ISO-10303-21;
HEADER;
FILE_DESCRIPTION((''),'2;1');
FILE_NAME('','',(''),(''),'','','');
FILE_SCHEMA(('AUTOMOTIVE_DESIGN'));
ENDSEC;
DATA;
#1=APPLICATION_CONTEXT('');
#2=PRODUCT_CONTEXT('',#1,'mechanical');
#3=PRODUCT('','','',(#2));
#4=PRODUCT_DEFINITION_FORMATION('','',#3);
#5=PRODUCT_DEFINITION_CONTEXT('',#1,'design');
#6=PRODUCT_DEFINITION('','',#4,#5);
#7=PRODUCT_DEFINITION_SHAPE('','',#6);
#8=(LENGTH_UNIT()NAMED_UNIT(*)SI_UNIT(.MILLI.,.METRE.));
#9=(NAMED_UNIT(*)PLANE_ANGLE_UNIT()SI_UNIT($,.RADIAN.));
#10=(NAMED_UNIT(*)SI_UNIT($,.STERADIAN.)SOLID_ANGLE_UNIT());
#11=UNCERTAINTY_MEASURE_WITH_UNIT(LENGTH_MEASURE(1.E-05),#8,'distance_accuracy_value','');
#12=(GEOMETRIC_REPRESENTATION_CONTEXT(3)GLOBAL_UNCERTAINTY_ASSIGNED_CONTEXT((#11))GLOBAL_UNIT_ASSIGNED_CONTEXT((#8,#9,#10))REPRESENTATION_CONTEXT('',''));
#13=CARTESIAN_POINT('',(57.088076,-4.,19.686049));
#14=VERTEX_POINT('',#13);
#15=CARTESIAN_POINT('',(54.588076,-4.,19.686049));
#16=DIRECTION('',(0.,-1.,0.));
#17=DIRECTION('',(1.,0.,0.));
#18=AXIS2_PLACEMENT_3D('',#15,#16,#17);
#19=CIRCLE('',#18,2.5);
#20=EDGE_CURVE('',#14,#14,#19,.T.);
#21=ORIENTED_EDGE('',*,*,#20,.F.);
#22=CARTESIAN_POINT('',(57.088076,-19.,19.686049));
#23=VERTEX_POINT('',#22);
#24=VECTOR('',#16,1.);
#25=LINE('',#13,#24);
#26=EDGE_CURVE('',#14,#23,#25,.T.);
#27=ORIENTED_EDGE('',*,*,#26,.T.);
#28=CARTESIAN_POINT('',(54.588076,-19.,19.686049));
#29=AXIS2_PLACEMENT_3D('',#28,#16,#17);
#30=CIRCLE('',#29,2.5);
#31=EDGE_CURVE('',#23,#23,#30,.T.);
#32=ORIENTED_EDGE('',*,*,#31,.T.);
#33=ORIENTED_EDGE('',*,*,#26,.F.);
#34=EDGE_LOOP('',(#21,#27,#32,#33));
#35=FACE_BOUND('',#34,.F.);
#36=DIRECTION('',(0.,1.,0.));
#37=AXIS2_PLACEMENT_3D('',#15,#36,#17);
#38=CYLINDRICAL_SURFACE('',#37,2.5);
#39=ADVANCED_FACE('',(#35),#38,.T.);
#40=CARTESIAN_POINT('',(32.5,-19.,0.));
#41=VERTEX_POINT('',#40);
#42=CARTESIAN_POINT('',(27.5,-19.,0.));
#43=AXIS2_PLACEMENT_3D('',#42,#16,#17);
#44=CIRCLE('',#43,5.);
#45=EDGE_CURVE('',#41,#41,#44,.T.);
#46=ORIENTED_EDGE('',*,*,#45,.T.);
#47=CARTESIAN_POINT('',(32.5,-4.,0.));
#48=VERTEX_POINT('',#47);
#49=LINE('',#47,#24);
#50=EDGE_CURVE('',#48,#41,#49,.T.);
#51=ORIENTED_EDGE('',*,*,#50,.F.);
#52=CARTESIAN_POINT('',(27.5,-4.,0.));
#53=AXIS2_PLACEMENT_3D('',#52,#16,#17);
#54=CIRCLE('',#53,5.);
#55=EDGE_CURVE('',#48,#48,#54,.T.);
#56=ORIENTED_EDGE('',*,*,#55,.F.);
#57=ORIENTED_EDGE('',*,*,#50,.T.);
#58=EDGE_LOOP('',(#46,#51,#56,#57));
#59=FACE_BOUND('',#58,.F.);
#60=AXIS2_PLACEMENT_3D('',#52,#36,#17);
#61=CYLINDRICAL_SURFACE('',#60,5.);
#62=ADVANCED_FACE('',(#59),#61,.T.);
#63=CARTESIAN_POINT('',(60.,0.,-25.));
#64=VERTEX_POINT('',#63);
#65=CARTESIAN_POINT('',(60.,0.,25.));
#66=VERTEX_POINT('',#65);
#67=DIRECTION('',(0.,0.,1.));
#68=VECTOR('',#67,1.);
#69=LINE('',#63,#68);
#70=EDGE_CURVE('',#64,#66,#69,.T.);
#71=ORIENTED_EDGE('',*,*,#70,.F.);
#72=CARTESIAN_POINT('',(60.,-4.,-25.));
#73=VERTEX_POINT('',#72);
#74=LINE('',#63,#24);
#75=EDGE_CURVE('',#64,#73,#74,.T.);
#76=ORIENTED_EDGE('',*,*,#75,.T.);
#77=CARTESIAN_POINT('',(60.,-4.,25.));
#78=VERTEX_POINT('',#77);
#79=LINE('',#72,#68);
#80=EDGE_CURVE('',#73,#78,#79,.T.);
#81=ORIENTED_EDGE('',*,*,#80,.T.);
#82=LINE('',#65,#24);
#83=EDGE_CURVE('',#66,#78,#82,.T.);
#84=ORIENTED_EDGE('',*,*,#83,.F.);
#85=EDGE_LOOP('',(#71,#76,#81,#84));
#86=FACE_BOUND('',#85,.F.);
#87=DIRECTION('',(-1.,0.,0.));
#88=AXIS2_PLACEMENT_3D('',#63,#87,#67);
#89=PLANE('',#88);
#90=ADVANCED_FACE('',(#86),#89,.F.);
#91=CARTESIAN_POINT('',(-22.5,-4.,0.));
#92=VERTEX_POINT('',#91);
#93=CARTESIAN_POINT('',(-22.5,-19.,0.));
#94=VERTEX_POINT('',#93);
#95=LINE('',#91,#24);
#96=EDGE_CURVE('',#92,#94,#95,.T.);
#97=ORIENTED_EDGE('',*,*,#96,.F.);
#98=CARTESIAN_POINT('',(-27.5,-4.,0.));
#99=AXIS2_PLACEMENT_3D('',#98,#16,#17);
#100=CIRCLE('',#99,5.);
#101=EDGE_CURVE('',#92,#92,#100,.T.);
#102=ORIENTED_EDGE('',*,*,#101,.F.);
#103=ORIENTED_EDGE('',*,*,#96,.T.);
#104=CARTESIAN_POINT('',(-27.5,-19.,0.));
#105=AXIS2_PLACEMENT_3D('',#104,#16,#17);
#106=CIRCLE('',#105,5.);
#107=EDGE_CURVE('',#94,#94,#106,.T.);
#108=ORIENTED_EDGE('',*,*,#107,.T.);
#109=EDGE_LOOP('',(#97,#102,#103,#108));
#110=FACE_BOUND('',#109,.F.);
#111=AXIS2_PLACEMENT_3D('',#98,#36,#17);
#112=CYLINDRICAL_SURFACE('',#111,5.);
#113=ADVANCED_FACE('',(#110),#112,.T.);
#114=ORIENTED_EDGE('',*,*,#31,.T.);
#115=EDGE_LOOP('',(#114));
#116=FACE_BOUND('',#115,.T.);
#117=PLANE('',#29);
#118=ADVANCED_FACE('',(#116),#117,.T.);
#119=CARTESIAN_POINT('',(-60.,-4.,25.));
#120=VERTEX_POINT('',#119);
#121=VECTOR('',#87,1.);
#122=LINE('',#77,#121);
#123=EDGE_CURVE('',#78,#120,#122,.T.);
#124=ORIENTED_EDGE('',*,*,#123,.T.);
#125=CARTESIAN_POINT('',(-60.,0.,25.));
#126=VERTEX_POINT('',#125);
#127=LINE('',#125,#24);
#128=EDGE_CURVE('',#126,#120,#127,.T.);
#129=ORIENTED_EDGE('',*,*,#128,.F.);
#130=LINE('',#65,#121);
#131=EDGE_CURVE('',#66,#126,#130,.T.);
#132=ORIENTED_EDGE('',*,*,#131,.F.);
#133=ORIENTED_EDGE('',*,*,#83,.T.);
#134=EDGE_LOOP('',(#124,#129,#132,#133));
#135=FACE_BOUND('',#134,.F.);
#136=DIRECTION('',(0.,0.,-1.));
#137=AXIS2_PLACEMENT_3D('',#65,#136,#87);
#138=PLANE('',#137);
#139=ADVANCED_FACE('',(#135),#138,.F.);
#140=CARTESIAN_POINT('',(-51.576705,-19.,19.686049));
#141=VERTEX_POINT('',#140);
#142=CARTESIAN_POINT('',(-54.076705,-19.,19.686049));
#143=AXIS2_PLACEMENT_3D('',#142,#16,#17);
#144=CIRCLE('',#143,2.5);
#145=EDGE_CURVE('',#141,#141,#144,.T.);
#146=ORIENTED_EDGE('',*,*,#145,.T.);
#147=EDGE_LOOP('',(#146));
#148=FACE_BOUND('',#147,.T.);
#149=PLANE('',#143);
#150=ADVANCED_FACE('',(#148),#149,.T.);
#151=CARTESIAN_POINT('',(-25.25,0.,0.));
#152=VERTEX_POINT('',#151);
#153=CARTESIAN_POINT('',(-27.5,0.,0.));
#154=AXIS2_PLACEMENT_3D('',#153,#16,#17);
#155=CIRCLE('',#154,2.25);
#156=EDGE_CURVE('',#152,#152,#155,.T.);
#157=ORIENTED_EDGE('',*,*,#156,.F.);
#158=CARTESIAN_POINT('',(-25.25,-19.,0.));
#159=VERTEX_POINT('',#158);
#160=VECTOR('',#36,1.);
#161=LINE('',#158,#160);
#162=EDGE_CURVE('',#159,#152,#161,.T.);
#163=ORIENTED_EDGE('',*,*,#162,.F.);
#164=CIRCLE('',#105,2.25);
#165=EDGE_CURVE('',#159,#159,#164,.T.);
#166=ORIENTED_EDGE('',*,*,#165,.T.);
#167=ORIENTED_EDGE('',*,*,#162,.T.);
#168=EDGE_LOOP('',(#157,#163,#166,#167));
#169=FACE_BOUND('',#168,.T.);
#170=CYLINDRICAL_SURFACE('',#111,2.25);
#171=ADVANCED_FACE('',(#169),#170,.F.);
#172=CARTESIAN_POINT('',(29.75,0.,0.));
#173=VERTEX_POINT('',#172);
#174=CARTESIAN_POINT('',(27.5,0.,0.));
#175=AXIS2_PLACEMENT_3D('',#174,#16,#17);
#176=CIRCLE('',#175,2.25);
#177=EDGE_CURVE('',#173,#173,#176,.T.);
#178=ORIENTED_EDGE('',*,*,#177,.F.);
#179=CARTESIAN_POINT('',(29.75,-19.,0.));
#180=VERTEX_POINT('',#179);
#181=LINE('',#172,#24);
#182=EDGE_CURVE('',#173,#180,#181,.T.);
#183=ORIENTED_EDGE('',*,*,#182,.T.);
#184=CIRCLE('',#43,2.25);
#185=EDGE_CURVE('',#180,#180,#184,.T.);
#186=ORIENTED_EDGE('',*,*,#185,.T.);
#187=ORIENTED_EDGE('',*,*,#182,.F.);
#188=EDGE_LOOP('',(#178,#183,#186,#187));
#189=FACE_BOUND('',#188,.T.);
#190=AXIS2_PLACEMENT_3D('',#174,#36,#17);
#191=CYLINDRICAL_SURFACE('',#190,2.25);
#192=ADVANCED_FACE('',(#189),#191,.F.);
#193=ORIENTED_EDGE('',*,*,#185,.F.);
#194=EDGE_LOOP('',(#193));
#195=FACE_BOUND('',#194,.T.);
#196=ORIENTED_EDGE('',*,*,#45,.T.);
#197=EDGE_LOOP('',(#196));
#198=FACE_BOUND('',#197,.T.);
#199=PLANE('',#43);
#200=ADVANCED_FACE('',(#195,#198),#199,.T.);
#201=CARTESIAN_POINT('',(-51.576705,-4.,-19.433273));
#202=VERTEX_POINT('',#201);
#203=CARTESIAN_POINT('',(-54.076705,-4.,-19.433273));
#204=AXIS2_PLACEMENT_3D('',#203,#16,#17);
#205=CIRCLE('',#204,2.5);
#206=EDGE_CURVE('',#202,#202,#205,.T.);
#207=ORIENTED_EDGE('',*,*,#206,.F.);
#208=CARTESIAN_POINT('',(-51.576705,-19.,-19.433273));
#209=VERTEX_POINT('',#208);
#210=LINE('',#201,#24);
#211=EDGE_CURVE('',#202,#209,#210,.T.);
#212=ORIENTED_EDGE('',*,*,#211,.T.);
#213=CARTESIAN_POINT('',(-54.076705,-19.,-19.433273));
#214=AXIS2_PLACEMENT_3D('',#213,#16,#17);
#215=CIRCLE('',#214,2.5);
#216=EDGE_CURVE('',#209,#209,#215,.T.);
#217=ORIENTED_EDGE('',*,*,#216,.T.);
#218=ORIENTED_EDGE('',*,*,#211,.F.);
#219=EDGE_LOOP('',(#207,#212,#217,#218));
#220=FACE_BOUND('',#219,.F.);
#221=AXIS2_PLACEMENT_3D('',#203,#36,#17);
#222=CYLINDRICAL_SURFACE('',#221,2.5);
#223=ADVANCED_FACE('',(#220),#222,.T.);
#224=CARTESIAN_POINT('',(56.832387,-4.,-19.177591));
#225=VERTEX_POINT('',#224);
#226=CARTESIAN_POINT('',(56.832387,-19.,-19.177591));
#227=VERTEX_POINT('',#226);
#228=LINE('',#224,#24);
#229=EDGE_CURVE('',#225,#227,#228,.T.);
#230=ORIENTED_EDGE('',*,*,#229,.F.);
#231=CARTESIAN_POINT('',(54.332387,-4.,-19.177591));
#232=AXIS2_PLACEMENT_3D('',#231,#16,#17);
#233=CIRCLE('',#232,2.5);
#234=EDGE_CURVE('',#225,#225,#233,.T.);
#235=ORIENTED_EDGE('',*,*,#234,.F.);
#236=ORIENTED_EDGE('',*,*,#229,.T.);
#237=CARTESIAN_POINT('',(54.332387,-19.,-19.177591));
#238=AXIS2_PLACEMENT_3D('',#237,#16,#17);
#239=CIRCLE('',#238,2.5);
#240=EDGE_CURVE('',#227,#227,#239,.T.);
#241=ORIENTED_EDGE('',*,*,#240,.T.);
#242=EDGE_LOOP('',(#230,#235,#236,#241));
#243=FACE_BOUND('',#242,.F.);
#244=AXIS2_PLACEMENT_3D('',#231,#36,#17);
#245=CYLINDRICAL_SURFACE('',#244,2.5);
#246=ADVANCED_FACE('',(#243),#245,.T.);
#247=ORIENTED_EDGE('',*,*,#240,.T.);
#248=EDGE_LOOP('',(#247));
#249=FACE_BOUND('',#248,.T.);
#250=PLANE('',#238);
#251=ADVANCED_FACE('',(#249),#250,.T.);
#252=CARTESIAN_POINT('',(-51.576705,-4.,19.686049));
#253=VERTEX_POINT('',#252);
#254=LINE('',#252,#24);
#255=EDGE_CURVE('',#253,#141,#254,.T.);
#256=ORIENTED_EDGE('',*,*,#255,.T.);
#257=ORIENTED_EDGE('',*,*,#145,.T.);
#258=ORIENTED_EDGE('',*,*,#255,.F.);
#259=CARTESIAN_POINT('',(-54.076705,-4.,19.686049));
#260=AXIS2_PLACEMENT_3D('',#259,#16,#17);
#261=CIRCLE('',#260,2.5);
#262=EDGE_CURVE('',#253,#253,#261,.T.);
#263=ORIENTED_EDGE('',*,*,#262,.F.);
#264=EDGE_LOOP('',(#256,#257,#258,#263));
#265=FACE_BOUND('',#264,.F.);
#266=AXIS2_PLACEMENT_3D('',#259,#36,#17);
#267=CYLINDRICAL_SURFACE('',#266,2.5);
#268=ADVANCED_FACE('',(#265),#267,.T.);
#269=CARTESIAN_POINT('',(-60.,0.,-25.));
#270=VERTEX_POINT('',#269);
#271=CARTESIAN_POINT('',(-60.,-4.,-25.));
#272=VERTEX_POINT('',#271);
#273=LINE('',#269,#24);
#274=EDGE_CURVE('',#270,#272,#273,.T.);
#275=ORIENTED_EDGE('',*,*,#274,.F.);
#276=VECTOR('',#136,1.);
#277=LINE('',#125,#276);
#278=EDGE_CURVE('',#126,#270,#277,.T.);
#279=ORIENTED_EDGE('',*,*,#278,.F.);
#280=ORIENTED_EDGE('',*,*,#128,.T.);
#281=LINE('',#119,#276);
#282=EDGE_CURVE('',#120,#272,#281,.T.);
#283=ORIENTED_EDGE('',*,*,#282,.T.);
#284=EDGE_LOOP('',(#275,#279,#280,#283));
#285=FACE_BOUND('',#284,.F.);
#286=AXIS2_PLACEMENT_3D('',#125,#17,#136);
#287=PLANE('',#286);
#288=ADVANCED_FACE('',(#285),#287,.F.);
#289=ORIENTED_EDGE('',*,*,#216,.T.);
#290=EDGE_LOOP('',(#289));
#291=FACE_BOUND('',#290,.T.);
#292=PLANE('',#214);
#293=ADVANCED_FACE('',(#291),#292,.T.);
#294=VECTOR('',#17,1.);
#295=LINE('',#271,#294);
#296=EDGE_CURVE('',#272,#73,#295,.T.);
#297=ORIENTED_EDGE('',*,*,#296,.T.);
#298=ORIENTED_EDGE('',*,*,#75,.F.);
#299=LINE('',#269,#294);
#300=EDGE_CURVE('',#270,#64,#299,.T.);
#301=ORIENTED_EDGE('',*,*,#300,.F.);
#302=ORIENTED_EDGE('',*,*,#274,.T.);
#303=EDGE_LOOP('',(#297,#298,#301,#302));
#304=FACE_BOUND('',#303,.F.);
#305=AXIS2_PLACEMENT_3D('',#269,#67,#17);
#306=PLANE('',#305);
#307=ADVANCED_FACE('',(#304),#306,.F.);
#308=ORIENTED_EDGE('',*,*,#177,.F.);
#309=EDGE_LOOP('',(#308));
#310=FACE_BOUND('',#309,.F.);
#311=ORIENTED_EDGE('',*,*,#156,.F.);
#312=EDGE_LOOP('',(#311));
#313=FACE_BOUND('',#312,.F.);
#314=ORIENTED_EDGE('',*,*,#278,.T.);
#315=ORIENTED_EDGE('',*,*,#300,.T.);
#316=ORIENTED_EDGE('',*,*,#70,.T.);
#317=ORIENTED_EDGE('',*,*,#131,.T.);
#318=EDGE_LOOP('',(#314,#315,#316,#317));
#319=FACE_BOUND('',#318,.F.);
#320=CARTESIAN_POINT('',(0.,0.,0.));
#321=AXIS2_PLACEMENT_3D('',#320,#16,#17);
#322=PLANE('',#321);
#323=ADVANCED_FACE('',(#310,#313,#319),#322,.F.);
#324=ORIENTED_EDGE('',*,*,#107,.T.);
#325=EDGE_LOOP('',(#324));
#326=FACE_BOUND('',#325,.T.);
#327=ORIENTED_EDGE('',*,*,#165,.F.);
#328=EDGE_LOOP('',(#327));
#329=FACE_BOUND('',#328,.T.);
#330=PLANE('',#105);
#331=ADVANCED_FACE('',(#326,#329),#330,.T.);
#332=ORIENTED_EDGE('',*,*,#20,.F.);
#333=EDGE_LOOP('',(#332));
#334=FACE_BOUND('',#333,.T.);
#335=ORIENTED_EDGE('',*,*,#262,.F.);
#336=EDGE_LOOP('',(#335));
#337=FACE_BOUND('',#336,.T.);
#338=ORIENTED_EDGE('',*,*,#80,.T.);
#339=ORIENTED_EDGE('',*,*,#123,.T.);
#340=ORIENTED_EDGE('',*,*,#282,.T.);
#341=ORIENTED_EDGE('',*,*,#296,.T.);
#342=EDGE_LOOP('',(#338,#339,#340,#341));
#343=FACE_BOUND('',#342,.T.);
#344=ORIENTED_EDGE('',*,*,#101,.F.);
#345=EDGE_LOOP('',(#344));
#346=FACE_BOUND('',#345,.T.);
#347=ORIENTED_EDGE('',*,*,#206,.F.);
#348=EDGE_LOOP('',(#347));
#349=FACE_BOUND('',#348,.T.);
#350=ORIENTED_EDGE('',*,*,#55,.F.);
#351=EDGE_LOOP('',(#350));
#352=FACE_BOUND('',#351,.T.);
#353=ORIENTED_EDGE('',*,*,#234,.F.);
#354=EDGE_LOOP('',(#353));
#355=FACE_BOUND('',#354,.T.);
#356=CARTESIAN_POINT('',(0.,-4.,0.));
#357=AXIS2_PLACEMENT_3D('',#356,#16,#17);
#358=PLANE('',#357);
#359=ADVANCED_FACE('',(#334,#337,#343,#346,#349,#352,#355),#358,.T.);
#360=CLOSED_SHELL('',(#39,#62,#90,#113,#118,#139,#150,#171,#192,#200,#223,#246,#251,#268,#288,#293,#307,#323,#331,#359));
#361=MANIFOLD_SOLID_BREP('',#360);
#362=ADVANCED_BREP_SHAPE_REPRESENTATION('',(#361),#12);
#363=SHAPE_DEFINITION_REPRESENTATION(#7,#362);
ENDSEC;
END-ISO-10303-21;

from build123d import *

# Parameters (mm, degrees)
F0_R     = 2.25
F1_DEPTH = 4
F2_R     = 5
F2_R_2   = 2.25
F3_DEPTH = 15
F4_R     = 2.5
F5_DEPTH = 15


with BuildPart() as f1:
    # F0 (on Front) → F1 (new body)
    with BuildSketch(Plane.XZ):
        Polygon((-60, -25), (0, -25), (60, -25), (60, 25), (-60, 25), align=None)
        with Locations((-27.5, 0)):
            Circle(F0_R, mode=Mode.SUBTRACT)
        with Locations((27.5, 0)):
            Circle(F0_R, mode=Mode.SUBTRACT)
    extrude(amount=F1_DEPTH)

    # F2 (on face) → F3 (join)
    with BuildSketch(Plane.XZ.offset(4)):
        with Locations((-27.5, 0)):
            Circle(F2_R)
        with Locations((-27.5, 0)):
            Circle(F2_R_2, mode=Mode.SUBTRACT)
        with Locations((27.5, 0)):
            Circle(F2_R)
        with Locations((27.5, 0)):
            Circle(F2_R_2, mode=Mode.SUBTRACT)
    extrude(amount=F3_DEPTH)

    # F4 (on face) → F5 (join)
    with BuildSketch(Plane.XZ.offset(4)):
        with Locations((-54.076705, 19.686049)):
            Circle(F4_R)
        with Locations((-54.076705, -19.433273)):
            Circle(F4_R)
        with Locations((54.332387, -19.177591)):
            Circle(F4_R)
        with Locations((54.588076, 19.686049)):
            Circle(F4_R)
    extrude(amount=F5_DEPTH)


solid = f1.part
